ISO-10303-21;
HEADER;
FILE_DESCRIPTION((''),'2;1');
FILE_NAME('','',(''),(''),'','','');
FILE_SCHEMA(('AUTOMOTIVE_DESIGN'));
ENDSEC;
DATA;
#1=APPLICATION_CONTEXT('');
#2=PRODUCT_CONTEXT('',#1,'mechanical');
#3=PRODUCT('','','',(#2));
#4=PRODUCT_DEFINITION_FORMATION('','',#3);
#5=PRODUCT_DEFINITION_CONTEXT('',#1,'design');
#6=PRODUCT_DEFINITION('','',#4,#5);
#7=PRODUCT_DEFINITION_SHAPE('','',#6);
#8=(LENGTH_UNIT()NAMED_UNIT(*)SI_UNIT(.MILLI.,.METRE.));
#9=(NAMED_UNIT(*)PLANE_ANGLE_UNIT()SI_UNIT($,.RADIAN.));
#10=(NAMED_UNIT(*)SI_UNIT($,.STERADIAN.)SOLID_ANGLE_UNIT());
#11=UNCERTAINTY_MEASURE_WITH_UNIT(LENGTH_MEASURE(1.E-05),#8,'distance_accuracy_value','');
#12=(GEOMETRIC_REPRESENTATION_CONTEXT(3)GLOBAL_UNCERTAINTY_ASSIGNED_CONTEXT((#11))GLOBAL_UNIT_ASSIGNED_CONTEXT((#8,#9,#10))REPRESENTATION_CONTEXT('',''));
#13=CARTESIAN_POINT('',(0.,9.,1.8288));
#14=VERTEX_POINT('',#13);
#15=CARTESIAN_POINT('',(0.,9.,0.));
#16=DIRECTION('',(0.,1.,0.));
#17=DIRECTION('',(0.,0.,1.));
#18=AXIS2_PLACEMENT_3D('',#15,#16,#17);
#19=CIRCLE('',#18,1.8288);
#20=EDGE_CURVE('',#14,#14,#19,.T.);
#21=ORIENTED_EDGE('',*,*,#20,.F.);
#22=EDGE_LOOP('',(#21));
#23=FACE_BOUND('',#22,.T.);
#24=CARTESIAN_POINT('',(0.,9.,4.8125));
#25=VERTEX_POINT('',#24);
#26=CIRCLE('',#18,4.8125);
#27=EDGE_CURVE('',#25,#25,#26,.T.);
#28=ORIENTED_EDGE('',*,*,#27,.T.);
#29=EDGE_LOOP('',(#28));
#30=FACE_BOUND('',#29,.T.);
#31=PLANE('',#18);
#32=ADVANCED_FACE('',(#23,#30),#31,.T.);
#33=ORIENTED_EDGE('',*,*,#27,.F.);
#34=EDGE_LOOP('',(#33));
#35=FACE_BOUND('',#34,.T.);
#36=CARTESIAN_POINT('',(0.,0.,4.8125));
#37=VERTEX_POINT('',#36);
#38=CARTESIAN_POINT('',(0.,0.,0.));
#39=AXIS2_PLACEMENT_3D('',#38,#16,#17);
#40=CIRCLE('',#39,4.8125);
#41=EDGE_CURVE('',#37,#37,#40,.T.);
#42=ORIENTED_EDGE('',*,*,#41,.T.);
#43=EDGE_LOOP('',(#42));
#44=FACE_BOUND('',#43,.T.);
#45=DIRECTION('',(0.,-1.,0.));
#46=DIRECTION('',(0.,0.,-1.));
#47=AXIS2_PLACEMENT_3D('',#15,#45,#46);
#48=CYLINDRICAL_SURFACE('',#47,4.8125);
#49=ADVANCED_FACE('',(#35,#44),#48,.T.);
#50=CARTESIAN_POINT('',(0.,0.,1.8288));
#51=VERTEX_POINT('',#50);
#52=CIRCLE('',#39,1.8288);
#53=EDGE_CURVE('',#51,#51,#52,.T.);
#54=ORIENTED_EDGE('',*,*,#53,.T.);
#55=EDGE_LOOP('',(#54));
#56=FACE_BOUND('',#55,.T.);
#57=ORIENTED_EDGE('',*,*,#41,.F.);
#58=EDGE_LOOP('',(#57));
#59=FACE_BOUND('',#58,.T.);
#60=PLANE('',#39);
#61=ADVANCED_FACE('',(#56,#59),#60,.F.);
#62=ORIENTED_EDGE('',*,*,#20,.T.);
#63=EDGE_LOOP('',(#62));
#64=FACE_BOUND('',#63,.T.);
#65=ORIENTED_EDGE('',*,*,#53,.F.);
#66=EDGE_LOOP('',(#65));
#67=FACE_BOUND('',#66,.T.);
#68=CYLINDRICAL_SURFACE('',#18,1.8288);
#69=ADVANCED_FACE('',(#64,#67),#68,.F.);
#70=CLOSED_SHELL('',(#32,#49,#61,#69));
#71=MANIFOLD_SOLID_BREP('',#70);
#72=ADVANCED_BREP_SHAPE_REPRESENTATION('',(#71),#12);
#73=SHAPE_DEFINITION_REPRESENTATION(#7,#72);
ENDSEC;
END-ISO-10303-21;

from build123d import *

# Parameters (mm, degrees)
SKETCH1_R             = 4.8125
BOSS_EXTRUDE1_DEPTH   = 9
F_6_CLEARANCE_HOLE1_D = 3.6576


with BuildPart() as part:
    # Sketch1 → Boss-Extrude1 (new body)
    with BuildSketch(Plane(origin=(0, 0, 0), x_dir=(1, 0, 0), z_dir=(0, 1, 0))):
        with Locations(Location((0, 0, 0), (0, 0, 270))):
            Circle(SKETCH1_R)
    extrude(amount=BOSS_EXTRUDE1_DEPTH)

    # #6 Clearance Hole1 (through all)
    with Locations(Plane(origin=(0, 9, 0), x_dir=(1, 0, 0), z_dir=(0, 1, 0))):
        with Locations((0, 0)):
            Hole(F_6_CLEARANCE_HOLE1_D / 2)


solid = part.part
